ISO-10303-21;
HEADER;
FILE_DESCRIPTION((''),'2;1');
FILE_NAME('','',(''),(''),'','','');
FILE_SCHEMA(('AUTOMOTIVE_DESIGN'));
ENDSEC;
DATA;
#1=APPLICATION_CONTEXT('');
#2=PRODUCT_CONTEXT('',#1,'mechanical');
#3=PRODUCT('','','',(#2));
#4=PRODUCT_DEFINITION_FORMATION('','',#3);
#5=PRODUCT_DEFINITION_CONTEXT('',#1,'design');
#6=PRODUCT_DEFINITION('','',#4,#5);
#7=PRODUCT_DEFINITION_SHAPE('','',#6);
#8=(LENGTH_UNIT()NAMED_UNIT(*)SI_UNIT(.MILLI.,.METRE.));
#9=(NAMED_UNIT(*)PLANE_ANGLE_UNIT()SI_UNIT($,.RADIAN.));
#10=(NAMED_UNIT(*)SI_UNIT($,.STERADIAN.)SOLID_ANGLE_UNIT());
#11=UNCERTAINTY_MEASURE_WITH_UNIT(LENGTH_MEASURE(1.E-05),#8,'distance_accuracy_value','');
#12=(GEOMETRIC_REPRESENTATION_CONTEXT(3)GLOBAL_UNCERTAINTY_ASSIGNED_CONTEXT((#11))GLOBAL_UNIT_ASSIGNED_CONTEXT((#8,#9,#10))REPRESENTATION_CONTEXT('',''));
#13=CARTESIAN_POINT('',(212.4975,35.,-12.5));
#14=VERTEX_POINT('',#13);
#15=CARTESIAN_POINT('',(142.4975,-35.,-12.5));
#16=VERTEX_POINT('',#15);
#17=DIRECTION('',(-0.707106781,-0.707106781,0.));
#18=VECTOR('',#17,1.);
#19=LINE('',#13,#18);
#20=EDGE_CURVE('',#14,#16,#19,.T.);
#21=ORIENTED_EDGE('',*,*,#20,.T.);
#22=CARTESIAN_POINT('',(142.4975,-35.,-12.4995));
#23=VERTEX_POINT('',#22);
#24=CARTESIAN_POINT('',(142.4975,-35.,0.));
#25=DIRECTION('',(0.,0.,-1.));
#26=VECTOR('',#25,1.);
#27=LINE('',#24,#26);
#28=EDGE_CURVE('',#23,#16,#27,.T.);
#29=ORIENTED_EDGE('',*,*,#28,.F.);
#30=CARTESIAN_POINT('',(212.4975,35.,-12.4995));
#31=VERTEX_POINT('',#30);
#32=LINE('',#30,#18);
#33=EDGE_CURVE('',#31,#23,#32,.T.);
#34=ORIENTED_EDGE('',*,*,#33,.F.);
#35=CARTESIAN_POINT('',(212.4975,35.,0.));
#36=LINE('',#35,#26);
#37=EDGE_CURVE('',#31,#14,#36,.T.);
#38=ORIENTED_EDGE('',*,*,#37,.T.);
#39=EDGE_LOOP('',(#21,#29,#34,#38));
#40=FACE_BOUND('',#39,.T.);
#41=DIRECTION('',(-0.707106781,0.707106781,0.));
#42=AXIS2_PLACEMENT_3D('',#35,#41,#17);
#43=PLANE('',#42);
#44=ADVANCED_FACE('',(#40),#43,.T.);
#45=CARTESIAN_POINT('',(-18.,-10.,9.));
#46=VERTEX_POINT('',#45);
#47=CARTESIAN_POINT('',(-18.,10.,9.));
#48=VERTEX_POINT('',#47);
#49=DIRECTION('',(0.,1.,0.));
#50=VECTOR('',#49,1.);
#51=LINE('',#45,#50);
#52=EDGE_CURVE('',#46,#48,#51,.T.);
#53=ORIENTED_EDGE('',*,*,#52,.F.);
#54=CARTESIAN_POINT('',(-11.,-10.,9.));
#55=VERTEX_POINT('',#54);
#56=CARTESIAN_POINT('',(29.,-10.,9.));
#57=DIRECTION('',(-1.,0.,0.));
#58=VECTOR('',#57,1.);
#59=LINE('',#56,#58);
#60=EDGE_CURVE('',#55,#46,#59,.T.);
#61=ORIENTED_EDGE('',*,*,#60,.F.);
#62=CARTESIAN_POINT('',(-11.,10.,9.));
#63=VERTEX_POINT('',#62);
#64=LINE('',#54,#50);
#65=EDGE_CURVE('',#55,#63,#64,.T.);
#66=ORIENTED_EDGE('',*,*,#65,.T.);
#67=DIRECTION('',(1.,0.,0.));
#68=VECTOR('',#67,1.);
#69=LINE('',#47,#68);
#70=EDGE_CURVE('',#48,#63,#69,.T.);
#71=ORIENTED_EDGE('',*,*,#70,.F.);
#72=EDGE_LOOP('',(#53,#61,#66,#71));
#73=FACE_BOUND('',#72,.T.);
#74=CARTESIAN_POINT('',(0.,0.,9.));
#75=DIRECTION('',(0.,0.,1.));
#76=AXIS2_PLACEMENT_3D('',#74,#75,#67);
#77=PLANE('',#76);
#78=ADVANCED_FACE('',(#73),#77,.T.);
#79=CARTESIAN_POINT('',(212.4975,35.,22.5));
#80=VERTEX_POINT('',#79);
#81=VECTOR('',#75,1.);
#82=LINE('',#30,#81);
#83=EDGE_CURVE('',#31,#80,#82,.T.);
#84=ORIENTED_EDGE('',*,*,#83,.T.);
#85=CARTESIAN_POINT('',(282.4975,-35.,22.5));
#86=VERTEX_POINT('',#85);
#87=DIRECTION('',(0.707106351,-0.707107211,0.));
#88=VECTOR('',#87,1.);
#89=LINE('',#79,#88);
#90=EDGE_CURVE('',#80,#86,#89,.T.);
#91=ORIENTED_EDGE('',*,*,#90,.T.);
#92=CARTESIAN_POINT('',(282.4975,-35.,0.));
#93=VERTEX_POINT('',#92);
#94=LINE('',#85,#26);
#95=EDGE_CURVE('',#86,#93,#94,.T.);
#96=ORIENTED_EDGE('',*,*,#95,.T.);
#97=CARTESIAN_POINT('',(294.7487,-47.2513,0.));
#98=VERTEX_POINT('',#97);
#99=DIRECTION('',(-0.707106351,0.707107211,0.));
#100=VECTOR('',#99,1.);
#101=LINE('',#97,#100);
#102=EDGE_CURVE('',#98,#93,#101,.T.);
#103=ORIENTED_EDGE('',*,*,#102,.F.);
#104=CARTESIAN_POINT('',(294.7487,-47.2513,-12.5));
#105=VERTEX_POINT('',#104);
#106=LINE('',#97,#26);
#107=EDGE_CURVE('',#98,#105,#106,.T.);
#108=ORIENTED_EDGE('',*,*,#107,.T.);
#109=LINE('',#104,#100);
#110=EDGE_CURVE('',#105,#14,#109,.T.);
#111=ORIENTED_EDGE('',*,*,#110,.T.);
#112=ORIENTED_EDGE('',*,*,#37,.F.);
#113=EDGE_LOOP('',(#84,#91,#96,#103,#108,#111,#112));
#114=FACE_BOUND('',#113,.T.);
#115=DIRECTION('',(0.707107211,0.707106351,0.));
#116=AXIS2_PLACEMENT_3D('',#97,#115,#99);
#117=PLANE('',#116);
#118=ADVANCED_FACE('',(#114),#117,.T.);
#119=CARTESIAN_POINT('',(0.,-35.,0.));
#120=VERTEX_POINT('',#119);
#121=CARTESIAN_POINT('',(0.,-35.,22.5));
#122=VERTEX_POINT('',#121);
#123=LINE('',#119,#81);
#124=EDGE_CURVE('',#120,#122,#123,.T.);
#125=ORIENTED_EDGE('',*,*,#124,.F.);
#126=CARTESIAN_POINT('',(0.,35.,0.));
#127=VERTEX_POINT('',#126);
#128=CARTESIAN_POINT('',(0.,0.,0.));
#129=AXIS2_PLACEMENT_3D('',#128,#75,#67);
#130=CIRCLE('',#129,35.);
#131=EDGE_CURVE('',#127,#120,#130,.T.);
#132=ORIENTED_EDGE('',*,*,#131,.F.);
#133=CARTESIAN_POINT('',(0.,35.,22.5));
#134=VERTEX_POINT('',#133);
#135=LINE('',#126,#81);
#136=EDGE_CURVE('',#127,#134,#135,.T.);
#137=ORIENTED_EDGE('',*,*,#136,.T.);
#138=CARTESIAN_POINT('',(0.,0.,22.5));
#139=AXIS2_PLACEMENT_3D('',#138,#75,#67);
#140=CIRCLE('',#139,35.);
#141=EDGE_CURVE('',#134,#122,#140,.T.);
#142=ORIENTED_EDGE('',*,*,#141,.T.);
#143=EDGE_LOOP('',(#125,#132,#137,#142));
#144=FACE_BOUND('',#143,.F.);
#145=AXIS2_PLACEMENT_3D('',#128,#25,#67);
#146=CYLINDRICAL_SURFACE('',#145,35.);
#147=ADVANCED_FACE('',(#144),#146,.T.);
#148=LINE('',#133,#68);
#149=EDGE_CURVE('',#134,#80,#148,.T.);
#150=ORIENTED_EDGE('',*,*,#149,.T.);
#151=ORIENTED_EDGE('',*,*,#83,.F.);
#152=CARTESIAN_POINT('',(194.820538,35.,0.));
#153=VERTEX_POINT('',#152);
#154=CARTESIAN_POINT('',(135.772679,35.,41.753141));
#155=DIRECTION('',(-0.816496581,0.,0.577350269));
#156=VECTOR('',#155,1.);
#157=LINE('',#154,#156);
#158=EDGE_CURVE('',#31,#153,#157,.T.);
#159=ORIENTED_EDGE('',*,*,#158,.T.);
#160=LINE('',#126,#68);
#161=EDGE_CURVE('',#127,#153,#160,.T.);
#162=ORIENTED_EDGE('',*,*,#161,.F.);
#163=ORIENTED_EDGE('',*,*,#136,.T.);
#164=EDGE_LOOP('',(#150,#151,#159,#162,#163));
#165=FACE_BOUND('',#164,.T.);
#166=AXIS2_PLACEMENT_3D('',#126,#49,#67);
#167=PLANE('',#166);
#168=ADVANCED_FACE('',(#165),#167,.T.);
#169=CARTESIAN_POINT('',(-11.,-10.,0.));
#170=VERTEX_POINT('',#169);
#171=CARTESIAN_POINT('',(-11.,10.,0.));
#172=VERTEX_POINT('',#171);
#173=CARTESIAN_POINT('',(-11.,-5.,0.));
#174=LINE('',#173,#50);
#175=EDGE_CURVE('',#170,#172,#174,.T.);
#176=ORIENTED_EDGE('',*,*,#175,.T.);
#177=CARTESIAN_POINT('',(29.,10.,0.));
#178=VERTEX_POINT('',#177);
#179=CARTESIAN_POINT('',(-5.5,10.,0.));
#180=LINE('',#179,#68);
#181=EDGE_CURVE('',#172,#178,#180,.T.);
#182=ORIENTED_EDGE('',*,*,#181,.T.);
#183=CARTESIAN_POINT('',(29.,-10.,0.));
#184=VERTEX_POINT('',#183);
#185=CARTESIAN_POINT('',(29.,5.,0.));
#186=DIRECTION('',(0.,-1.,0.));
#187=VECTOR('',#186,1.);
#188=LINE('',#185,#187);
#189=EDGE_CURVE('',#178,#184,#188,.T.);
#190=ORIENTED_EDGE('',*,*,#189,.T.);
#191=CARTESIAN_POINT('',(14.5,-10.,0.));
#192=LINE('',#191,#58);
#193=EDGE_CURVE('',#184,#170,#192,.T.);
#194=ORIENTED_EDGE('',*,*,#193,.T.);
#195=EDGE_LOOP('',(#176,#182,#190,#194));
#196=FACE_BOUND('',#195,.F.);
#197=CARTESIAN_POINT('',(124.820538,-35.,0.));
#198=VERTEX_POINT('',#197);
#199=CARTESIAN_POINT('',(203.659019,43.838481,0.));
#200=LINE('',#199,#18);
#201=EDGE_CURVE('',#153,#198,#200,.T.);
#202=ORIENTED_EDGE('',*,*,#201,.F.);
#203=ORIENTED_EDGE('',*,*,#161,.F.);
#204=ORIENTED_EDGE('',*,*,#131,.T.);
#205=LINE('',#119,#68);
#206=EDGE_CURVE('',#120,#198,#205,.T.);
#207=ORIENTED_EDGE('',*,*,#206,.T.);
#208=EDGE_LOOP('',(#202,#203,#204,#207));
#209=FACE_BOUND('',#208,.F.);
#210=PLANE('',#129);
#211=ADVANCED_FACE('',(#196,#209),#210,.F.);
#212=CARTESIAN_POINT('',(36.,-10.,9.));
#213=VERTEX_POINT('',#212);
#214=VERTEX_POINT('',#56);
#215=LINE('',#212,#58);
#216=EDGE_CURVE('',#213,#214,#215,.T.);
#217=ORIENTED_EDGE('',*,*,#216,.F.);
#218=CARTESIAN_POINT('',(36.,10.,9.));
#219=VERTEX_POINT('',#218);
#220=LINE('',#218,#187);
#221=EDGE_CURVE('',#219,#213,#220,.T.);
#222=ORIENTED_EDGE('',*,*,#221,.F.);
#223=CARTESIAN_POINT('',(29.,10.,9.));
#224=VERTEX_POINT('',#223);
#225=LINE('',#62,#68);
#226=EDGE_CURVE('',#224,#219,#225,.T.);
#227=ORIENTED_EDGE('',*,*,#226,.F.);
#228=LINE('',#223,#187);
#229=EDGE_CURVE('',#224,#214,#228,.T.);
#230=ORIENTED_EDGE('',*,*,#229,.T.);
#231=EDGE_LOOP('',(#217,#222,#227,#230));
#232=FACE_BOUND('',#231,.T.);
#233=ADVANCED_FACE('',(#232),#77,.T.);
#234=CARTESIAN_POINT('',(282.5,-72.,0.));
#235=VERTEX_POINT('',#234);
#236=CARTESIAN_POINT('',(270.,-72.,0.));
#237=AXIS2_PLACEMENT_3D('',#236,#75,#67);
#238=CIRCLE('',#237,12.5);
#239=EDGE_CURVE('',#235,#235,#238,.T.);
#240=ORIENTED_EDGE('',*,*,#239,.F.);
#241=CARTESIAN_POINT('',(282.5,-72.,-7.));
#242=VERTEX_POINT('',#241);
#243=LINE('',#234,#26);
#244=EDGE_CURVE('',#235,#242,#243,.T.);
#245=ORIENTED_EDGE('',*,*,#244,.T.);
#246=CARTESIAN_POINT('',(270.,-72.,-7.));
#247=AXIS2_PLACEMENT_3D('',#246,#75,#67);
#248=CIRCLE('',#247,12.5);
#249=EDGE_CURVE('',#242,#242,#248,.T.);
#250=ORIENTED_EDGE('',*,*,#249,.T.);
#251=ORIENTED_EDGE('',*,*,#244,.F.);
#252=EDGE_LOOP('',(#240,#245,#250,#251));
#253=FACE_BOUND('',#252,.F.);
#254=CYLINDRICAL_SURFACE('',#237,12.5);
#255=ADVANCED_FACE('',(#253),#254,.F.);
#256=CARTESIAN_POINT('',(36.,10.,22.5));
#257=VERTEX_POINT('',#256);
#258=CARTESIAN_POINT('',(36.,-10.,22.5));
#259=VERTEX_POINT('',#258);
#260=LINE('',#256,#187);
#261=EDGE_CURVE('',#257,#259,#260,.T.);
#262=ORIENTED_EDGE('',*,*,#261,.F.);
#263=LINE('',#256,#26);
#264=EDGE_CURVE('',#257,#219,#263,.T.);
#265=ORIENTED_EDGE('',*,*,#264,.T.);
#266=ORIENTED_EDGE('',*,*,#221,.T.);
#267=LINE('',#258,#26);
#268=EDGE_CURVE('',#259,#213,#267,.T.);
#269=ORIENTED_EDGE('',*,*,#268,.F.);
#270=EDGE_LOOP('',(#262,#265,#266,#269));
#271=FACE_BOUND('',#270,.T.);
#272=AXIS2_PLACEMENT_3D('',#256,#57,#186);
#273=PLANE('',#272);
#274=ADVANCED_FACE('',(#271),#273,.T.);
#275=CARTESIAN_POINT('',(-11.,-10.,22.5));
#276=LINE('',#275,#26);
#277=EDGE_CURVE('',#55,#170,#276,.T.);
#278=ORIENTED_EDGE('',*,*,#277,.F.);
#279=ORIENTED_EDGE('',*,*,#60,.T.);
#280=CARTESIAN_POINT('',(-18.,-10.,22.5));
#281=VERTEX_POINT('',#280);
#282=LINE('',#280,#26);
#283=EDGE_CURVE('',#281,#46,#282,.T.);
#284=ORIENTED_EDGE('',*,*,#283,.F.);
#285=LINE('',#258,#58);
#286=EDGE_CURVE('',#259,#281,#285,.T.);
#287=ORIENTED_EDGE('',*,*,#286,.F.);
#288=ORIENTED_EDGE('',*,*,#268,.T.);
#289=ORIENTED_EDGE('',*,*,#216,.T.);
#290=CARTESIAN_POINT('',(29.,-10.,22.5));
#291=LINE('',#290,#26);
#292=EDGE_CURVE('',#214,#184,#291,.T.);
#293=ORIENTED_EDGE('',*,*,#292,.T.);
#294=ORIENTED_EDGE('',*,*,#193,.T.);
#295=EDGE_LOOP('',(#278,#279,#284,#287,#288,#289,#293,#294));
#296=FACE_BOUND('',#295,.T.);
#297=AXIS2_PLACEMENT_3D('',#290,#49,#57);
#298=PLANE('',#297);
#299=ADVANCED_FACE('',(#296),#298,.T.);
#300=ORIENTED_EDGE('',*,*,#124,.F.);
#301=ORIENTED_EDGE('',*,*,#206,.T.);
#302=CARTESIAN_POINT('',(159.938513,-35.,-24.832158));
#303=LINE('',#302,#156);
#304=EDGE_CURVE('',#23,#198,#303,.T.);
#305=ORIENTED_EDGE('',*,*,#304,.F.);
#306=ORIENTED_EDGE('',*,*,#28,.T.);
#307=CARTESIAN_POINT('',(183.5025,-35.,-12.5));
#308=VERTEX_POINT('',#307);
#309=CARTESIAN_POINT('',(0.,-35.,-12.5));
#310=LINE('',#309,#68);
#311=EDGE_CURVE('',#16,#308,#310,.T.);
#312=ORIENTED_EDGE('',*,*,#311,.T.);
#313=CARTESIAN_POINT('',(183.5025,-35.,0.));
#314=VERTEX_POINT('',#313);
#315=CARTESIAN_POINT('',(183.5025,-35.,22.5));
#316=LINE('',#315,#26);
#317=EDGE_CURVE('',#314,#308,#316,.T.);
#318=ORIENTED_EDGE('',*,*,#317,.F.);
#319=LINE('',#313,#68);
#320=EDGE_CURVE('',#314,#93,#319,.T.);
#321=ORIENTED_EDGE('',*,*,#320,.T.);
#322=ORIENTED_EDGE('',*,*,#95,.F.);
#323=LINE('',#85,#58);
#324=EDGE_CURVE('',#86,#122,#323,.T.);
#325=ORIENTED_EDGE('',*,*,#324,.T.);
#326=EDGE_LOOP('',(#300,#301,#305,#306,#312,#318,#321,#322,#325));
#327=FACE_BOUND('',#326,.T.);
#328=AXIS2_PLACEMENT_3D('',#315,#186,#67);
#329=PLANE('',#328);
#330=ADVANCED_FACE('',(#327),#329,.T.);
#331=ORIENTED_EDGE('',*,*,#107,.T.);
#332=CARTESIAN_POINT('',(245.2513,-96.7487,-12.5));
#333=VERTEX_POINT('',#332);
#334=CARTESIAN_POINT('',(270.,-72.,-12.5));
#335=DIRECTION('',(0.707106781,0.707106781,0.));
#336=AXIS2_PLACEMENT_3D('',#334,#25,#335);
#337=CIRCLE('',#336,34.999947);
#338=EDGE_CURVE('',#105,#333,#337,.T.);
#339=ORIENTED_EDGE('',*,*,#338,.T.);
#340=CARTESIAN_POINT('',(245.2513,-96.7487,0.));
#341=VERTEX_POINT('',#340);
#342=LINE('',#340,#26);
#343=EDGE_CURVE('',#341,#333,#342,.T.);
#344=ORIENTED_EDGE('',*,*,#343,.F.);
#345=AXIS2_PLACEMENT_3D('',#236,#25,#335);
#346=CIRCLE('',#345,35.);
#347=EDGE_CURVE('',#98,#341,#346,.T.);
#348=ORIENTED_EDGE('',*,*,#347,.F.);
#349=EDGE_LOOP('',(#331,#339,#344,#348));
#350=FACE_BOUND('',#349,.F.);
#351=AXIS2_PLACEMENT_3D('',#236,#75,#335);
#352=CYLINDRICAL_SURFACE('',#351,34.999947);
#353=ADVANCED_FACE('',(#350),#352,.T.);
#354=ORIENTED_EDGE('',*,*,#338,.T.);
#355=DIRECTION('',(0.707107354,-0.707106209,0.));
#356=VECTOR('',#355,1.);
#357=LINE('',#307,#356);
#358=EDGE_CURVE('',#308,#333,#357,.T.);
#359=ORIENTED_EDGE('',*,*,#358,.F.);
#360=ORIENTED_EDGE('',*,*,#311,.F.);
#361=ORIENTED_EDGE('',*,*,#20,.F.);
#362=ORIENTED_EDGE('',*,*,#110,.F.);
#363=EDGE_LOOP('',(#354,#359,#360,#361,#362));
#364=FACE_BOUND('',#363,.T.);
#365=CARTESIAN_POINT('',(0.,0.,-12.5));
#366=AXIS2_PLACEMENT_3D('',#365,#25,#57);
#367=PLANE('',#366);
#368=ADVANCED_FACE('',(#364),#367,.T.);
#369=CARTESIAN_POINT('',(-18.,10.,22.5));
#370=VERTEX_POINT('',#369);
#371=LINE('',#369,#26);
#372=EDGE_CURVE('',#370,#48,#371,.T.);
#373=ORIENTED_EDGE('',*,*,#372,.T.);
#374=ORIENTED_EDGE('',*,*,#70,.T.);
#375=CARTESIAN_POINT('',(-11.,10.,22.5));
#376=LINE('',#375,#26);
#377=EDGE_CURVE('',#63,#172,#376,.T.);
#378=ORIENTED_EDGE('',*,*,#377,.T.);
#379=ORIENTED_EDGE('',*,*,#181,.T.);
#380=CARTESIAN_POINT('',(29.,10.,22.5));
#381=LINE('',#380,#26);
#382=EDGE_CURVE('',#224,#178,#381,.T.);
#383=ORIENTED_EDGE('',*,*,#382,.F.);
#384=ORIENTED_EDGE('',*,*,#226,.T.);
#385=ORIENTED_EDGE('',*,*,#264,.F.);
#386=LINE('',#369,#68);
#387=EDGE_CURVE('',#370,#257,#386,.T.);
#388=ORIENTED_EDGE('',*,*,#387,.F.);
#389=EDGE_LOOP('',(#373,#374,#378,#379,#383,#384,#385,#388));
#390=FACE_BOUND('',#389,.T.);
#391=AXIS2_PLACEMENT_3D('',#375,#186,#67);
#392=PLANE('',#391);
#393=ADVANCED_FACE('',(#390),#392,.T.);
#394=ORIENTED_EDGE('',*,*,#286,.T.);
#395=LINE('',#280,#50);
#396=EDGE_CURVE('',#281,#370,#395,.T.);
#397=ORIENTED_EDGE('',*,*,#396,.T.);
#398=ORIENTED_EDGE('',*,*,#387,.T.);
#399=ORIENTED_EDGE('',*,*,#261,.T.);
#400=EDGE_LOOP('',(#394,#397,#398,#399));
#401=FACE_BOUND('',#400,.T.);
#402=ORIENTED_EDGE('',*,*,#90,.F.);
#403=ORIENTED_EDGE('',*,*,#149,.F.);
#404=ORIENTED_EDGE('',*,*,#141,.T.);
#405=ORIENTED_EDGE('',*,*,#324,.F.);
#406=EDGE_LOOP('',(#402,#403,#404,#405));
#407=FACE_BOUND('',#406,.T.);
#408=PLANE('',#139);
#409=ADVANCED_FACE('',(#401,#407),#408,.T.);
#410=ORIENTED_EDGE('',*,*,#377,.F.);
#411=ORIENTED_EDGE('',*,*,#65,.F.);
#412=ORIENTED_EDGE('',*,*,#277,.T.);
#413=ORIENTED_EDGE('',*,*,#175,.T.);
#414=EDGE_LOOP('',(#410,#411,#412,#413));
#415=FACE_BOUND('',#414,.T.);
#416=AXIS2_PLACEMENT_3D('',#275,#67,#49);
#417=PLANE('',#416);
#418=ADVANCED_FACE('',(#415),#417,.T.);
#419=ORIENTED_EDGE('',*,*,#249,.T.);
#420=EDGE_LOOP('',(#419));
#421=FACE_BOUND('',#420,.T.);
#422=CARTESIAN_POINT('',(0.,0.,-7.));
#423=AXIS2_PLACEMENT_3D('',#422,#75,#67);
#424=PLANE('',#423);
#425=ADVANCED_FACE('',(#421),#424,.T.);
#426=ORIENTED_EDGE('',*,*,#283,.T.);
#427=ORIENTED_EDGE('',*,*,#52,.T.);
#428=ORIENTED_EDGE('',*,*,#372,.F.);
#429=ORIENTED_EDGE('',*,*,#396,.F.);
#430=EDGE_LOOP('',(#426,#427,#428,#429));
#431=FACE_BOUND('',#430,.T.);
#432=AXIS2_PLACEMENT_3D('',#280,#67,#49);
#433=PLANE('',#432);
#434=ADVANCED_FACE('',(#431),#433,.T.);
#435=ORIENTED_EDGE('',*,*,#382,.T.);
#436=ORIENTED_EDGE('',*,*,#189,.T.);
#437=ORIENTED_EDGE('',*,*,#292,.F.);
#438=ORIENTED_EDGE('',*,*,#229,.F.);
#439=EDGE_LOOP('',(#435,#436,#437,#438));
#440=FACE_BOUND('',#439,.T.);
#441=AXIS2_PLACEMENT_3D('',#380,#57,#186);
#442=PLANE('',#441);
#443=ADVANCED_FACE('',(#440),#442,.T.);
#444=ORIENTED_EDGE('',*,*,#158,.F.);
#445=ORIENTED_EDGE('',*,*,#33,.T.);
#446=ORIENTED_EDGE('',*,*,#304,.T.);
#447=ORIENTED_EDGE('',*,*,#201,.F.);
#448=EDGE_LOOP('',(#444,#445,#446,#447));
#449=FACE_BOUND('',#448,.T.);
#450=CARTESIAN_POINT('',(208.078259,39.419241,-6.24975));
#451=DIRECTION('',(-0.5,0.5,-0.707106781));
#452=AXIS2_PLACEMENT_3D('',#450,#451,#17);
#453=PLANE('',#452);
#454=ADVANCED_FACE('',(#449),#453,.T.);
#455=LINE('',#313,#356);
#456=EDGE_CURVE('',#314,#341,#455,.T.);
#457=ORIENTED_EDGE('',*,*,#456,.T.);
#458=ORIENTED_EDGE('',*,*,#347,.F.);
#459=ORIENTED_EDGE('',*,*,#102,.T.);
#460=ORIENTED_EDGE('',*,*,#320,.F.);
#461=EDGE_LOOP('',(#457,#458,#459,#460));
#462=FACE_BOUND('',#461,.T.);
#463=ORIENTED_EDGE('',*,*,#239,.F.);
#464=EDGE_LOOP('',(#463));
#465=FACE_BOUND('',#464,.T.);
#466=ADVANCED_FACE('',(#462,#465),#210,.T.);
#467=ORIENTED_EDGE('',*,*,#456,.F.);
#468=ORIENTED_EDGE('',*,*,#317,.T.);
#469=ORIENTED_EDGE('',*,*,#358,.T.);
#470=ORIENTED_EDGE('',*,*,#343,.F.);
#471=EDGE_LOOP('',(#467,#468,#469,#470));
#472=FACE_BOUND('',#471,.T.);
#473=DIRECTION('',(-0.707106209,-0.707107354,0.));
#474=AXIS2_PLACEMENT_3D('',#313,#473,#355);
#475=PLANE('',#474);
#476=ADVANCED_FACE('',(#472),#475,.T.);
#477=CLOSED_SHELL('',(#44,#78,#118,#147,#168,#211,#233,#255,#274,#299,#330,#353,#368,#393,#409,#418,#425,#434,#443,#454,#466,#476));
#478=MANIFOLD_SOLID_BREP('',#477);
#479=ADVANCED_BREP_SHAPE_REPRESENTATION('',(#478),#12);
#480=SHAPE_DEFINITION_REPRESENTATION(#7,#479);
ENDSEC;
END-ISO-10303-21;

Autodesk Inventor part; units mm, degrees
ref_plane "YZ Plane" through (0, 0, 0) normal (1, 0, 0) x (0, 1, 0)
ref_plane "XZ Plane" through (0, 0, 0) normal (0, 1, 0) x (-1, 0, 0)
ref_plane "XY Plane" through (0, 0, 0) normal (0, 0, 1) x (1, 0, 0)
sketch "Sketch1" plane through (0, 0, 0) normal (0, 0, 1) x (1, 0, 0)
  circle A0 centre (0, 0) radius 35
  circle A1 centre (270, -72) radius 35
  line L0 (0, 35) -> (212.4975, 35)
  line L1 (212.4975, 35) -> (294.7487, -47.2513)
  line L2 (0, -35) -> (183.5025, -35)
  line L3 (183.5025, -35) -> (245.2513, -96.7487)
  dimension "d0" = 70
  dimension "d1" = 70
  dimension "d2" = 135
  dimension "d3" = 37
  dimension "d4" = 270
extrude "Extrusion1" add sketch "Sketch1" along normal blind 22.5
sketch "Sketch2" plane through (0, 0, 22.5) normal (0, 0, 1) x (1, 0, 0)
  circle A0 centre (0, 0) radius 2.5
  line L0 (-18, 10) -> (29, 10)
  line L1 (29, 10) -> (29, -10)
  line L2 (29, -10) -> (-18, -10)
  line L3 (-18, -10) -> (-18, 10)
  line L4 (-11, 10) -> (36, 10)
  line L5 (36, 10) -> (36, -10)
  line L6 (36, -10) -> (-11, -10)
  line L7 (-11, -10) -> (-11, 10)
  line L8 (-18, 0) -> (36, 0) construction
  point P0 (29, 10)
  dimension "d7" = 5
  dimension "d9" = 54
  dimension "d10" = 40
  dimension "d11" = 7
  dimension "d12" = 36
  dimension "d13" = 20
extrude "Extrusion2" cut sketch "Sketch2" against normal through all contours A0 | L0 L1 L2 L7
extrude "Extrusion3" cut sketch "Sketch2" against normal blind 13.5 contours L0 L7 L2 L3 | L4 L5 L6 L1
sketch "Sketch3" plane through (0, 0, 0) normal (0, 0, -1) x (-1, 0, 0)
  arc A0 (-294.7487, -47.2513) -> (-245.2513, -96.7487) centre (-270, -72) ccw projected
  line L0 (-183.5025, -35) -> (-245.2513, -96.7487) projected
  line L1 (0, -35) -> (-183.5025, -35) projected
  arc A1 (0, -35) -> (0, 35) centre (0, 0) ccw projected
  line L2 (-212.4975, 35) -> (0, 35) projected
  line L3 (-294.7487, -47.2513) -> (-212.4975, 35) projected
  line L4 (0, -35) -> (-183.5025, -35) projected
  line L5 (-212.4975, 35) -> (-142.4975, -35)
  point P0 (-142.4975, -35)
  dimension "d18" = 135
extrude "Extrusion4" add sketch "Sketch3" along normal blind 12.5 contours L3 L5 L1 L0 A0
chamfer "Chamfer1" distance 12.5 angle 45 1 edges at (177.4975, 0, 0)
sketch "Sketch4" plane through (0, 0, 22.5) normal (0, 0, 1) x (1, 0, 0)
  line L0 (183.5025, -35) -> (245.2513, -96.7487) projected
  arc A0 (245.2513, -96.7487) -> (294.7487, -47.2513) centre (270, -72) ccw projected
  line L1 (294.7487, -47.2513) -> (212.4975, 35) projected
  line L2 (212.4975, 35) -> (0, 35) projected
  arc A1 (0, 35) -> (0, -35) centre (0, 0) ccw projected
  line L3 (0, -35) -> (183.5025, -35) projected
  line L4 (183.5025, -35) -> (245.2513, -96.7487) projected
  line L5 (-18, 10) -> (36, 10) projected
  line L6 (36, 10) -> (36, -10) projected
  line L7 (36, -10) -> (-18, -10) projected
  line L8 (-18, -10) -> (-18, 10) projected
  line L9 (245.2513, -96.7487) -> (183.5025, -35) projected
  line L10 (183.5025, -35) -> (282.4975, -35)
extrude "Extrusion5" cut sketch "Sketch4" against normal blind 22.5 contours L10 L1 A0 L0
sketch "Sketch5" plane through (0, 0, 0) normal (0, 0, 1) x (1, 0, 0)
  arc A0 (245.2513, -96.7487) -> (294.7487, -47.2513) centre (270, -72) ccw projected
  circle A1 centre (270, -72) radius 12.5
  point P0 (0, 0)
  dimension "d26" = 25
extrude "Extrusion6" cut sketch "Sketch5" against normal blind 7
properties part number "arm 1 right"
